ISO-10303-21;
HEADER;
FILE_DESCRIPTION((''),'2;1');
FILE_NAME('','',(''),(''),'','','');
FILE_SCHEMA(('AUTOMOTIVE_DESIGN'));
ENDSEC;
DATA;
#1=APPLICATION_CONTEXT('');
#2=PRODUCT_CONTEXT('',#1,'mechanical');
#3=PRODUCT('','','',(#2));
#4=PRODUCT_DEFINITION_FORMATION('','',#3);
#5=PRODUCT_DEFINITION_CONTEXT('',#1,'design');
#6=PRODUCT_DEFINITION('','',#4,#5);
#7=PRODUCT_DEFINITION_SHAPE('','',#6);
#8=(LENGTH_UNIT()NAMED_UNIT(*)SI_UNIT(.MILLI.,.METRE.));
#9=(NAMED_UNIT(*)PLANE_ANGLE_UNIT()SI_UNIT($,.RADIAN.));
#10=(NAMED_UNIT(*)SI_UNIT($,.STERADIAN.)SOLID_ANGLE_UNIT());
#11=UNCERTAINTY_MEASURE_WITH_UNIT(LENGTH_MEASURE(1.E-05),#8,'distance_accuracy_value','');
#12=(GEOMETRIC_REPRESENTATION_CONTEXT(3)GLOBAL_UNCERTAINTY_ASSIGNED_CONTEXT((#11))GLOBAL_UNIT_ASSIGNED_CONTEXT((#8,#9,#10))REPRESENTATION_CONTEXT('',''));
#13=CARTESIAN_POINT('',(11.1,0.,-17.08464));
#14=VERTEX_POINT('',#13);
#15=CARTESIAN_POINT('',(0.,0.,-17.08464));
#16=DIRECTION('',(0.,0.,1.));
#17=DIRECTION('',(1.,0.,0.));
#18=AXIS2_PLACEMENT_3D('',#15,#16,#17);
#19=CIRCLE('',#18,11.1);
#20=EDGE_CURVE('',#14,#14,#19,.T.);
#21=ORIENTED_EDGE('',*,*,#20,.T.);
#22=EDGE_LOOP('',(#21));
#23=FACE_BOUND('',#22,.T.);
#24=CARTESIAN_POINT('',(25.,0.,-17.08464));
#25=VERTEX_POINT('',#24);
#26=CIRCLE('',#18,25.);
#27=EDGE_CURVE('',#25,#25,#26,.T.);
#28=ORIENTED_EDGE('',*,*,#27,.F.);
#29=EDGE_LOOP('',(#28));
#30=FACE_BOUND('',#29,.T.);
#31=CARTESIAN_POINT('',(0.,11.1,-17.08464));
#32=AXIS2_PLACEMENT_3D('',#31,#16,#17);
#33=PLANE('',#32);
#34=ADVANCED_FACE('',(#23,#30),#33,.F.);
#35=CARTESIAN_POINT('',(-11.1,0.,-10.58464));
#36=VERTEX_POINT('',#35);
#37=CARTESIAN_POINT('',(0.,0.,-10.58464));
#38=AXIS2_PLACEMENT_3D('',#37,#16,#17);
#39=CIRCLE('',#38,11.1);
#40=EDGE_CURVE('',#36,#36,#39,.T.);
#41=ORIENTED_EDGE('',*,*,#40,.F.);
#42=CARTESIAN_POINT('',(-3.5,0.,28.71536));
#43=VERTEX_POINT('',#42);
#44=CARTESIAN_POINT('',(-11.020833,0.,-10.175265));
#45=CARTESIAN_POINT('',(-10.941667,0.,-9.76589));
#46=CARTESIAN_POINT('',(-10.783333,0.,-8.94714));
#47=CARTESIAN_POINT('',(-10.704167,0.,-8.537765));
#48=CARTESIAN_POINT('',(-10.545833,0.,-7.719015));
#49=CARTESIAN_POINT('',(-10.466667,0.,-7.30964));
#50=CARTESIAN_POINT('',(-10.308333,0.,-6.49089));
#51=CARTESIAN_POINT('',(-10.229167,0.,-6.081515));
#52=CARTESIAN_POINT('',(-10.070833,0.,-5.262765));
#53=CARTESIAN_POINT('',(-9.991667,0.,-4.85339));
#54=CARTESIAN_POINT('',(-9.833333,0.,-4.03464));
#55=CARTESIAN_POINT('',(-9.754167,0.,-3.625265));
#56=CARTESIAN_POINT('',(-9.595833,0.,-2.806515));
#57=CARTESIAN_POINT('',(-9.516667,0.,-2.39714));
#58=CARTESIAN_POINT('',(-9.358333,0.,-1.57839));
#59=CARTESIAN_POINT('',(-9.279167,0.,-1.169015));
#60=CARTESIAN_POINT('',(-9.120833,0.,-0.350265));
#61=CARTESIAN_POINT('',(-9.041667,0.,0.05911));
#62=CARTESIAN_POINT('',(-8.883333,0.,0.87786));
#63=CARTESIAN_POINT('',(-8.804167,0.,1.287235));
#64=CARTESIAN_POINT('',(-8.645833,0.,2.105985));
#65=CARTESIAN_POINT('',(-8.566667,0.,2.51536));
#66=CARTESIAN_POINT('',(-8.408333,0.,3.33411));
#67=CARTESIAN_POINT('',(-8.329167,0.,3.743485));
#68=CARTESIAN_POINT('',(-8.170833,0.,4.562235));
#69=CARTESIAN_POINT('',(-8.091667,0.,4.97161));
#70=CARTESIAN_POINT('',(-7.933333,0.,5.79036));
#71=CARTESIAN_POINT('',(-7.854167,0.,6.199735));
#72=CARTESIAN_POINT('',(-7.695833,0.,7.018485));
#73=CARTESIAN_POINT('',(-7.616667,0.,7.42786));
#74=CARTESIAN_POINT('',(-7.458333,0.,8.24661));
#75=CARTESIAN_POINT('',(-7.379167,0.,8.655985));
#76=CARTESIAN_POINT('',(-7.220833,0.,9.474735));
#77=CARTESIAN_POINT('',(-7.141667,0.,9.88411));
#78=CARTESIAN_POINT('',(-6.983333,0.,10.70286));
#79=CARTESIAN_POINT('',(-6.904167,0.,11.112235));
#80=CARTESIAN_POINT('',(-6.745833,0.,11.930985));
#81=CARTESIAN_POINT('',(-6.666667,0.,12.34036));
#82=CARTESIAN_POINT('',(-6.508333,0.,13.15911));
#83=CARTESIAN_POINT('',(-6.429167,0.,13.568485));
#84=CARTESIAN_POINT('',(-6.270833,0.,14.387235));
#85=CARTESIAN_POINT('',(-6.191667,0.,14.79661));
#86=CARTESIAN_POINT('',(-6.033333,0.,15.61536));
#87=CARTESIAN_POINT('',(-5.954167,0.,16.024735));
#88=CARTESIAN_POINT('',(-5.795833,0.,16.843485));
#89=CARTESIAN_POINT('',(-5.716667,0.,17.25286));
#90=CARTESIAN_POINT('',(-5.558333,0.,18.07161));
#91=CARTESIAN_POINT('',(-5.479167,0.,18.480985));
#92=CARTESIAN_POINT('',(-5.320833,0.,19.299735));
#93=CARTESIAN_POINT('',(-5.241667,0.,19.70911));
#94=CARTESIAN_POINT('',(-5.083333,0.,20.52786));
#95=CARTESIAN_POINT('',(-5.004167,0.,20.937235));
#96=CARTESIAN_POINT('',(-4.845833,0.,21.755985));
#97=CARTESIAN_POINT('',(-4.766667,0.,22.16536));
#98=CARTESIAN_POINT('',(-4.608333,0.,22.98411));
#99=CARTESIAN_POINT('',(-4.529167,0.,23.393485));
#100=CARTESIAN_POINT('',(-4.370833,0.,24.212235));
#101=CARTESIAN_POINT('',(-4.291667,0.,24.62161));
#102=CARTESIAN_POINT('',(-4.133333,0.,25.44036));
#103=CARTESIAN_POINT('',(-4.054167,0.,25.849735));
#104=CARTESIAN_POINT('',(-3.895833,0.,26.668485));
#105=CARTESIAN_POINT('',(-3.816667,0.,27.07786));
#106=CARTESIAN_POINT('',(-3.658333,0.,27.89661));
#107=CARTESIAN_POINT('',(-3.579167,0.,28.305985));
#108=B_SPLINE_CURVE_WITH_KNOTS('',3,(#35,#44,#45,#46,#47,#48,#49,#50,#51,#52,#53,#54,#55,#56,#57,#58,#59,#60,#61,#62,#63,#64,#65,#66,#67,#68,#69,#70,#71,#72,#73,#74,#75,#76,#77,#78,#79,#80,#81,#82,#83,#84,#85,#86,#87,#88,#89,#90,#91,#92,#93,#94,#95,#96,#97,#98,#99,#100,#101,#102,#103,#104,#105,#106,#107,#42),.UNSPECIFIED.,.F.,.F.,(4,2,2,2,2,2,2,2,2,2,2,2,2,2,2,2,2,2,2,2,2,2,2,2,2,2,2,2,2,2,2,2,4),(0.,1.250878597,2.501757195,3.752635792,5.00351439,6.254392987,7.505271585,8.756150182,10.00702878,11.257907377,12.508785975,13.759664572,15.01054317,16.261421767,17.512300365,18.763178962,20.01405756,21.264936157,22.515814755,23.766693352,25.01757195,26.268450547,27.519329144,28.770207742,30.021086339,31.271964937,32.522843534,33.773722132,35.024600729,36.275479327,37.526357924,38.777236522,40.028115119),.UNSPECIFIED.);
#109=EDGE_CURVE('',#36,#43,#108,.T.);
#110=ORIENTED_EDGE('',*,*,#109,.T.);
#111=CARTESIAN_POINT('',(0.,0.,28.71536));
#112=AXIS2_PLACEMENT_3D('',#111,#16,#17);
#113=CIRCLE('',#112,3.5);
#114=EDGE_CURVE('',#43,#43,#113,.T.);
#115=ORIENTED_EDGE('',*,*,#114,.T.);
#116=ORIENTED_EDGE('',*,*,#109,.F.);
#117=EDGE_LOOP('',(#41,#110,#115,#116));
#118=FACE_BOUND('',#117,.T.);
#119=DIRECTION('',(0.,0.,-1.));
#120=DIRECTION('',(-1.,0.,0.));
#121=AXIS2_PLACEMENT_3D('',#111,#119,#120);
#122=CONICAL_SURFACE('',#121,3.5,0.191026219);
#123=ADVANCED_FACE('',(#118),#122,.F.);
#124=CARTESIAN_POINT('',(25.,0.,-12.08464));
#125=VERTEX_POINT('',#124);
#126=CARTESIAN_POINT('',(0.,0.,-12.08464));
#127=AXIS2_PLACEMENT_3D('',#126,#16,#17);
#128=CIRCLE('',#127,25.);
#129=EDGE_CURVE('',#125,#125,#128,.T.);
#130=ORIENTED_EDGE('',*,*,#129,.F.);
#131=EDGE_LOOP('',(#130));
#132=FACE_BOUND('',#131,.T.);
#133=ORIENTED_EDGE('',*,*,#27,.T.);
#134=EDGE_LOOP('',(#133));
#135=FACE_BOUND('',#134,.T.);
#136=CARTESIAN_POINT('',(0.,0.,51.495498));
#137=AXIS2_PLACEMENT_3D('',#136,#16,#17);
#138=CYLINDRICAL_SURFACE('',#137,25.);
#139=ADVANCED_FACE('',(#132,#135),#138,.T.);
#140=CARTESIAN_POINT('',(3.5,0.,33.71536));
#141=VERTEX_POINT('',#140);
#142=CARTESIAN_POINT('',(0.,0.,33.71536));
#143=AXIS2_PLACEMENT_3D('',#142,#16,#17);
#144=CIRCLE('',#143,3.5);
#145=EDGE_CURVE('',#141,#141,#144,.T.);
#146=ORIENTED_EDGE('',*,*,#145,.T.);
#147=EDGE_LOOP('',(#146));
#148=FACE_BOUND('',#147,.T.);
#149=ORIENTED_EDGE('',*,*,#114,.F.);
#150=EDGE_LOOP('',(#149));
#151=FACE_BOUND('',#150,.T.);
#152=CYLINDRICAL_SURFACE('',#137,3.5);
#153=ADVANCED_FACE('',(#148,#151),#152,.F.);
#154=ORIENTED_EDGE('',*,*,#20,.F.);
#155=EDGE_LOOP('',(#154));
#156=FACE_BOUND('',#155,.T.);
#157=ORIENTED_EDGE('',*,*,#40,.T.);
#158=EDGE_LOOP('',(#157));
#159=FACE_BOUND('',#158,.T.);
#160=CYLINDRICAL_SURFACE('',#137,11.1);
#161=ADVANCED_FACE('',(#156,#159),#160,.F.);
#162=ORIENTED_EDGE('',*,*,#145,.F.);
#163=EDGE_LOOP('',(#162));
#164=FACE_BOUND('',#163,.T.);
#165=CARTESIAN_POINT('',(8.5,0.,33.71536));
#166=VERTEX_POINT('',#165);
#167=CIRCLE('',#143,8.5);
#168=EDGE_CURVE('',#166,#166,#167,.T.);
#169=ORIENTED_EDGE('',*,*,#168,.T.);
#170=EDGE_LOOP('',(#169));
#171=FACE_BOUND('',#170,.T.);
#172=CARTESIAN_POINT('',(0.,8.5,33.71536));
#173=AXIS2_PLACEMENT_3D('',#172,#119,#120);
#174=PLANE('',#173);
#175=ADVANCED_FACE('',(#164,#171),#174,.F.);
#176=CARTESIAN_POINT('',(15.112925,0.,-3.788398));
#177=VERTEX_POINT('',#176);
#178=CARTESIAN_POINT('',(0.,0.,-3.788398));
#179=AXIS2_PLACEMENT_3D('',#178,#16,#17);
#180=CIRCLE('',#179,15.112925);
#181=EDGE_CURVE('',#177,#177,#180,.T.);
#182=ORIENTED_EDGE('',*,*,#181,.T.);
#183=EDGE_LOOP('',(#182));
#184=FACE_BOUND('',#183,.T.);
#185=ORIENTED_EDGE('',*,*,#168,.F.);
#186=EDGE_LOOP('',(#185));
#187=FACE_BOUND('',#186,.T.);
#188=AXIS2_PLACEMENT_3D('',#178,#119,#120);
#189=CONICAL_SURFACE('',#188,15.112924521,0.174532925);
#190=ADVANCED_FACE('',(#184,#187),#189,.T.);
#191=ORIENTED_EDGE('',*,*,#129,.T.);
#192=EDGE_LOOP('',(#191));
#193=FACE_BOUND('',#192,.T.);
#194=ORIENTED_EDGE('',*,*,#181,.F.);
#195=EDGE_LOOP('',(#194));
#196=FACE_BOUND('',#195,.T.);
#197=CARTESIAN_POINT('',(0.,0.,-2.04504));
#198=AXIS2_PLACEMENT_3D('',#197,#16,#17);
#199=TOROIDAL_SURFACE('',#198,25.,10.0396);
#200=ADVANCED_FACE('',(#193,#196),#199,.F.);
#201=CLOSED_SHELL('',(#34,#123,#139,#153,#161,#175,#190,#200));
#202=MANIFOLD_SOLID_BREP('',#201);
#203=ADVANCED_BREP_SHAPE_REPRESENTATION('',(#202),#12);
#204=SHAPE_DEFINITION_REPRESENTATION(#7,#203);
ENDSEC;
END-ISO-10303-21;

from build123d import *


with BuildPart() as part:
    # Sketch1 → Revolve1 (revolve)
    with BuildSketch(Plane(origin=(0, 0, 0), x_dir=(0, 0, -1), z_dir=(1, 0, 0)), mode=Mode.PRIVATE) as revolve1_sk:
        with BuildLine():
            Line((-33.715360463, 3.5), (-28.715360463, 3.5))
            Line((-28.715360463, 3.5), (10.584639537, 11.1))
            Line((10.584639537, 11.1), (17.084639537, 11.1))
            Line((17.084639537, 11.1), (17.084639537, 25))
            Line((17.084639537, 25), (12.084639537, 25))
            ThreePointArc((12.084639537, 25), (9.735819432, 18.5466698), (3.788398149, 15.112924521))
            Line((3.788398149, 15.112924521), (-33.715360463, 8.5))
            Line((-33.715360463, 8.5), (-33.715360463, 3.5))
        make_face()
    revolve(revolve1_sk.sketch.rotate(Axis((0, 0, 51.495497957), (0, 0, -1)), 90), axis=Axis((0, 0, 51.495497957), (0, 0, -1)))


solid = part.part
